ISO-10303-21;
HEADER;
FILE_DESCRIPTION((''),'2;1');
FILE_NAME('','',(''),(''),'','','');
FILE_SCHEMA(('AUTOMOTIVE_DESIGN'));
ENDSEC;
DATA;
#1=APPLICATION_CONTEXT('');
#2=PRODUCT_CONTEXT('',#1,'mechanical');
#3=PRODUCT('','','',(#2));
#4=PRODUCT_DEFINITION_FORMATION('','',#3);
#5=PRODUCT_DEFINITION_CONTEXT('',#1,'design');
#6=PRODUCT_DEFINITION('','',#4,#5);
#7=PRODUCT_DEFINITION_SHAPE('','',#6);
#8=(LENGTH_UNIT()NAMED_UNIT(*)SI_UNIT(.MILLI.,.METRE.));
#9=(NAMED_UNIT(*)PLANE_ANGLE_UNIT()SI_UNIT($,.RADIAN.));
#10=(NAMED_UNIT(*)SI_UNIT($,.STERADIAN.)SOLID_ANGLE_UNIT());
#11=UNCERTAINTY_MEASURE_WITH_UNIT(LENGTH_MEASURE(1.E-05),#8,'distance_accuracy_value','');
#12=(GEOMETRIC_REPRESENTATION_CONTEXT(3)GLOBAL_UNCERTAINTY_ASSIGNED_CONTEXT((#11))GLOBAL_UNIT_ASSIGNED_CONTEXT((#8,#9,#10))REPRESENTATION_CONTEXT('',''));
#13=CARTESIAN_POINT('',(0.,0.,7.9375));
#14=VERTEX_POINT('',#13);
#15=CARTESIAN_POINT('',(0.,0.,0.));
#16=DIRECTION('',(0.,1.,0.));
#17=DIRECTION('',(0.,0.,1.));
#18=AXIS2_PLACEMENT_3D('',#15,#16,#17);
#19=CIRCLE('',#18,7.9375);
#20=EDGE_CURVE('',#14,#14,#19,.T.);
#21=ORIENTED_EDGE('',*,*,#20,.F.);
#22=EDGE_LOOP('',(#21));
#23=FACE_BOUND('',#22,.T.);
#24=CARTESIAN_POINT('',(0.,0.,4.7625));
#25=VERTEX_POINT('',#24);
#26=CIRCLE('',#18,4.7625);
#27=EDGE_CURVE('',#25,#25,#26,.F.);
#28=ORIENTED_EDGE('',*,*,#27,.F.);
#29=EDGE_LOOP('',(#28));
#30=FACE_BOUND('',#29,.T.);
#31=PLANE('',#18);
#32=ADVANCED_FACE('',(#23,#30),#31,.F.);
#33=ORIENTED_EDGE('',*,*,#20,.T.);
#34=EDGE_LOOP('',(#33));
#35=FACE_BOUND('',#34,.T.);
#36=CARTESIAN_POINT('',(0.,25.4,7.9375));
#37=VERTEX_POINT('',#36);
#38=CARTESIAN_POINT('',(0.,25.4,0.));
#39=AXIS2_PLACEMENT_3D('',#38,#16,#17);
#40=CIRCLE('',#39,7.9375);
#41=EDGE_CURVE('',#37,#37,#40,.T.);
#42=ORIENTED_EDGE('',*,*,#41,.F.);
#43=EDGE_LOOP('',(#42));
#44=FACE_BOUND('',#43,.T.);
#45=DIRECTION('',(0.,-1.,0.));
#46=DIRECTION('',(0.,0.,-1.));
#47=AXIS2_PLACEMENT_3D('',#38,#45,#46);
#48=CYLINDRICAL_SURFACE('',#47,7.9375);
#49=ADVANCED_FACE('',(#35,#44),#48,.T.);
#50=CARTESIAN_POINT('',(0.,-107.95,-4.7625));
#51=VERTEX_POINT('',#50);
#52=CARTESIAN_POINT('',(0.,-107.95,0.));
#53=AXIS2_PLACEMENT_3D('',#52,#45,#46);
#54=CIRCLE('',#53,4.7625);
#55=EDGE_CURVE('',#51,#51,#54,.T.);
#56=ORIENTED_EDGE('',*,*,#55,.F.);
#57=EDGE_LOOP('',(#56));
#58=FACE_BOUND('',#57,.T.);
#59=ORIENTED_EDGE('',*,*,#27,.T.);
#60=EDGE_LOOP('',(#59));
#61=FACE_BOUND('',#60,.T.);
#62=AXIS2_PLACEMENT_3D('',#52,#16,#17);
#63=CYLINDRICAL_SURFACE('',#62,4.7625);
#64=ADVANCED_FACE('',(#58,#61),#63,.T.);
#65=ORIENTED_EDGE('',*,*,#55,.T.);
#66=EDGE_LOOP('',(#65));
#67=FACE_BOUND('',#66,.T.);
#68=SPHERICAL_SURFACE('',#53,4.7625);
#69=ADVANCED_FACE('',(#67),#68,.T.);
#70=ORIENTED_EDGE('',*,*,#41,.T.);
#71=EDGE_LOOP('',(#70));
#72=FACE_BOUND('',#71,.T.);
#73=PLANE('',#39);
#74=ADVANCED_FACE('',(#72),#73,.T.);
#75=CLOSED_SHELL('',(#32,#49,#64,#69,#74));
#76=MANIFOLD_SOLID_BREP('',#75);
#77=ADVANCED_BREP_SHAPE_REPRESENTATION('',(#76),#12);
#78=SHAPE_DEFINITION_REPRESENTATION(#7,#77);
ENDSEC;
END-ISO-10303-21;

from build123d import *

# Parameters (mm, degrees)
SKETCH1_R           = 7.9375
BOSS_EXTRUDE1_DEPTH = 25.4
SKETCH2_R           = 4.7625
BOSS_EXTRUDE2_DEPTH = 107.95
DOME1_FACE_RADIUS   = 4.7625
DOME1_HEIGHT        = 4.7625


with BuildPart() as part:
    # Sketch1 → Boss-Extrude1 (new body)
    with BuildSketch(Plane(origin=(0, 0, 0), x_dir=(1, 0, 0), z_dir=(0, 1, 0))):
        with Locations(Location((0, 0, 0), (0, 0, 270))):  # turned: the seam where the file's is
            Circle(SKETCH1_R)
    extrude(amount=BOSS_EXTRUDE1_DEPTH)

    # Sketch2 → Boss-Extrude2 (add)
    with BuildSketch(Plane.XZ):
        with Locations(Location((0, 0, 0), (0, 0, 90))):  # turned: the seam where the file's is
            Circle(SKETCH2_R)
    extrude(amount=BOSS_EXTRUDE2_DEPTH)

    # Dome1: a dome of height H over a round flat face of radius A is a cap of a sphere of radius (A * A + H * H) / (2 * H)
    dome1_r = (DOME1_FACE_RADIUS * DOME1_FACE_RADIUS + DOME1_HEIGHT * DOME1_HEIGHT) / (2 * DOME1_HEIGHT)
    dome1_base = Plane((0, -107.95, 0), z_dir=(0, -1, 0))
    with Locations(dome1_base.offset(DOME1_HEIGHT - dome1_r)):
        dome1_ball = Sphere(dome1_r, mode=Mode.PRIVATE)
    add(split(dome1_ball, bisect_by=dome1_base, keep=Keep.TOP, mode=Mode.PRIVATE))


solid = part.part
